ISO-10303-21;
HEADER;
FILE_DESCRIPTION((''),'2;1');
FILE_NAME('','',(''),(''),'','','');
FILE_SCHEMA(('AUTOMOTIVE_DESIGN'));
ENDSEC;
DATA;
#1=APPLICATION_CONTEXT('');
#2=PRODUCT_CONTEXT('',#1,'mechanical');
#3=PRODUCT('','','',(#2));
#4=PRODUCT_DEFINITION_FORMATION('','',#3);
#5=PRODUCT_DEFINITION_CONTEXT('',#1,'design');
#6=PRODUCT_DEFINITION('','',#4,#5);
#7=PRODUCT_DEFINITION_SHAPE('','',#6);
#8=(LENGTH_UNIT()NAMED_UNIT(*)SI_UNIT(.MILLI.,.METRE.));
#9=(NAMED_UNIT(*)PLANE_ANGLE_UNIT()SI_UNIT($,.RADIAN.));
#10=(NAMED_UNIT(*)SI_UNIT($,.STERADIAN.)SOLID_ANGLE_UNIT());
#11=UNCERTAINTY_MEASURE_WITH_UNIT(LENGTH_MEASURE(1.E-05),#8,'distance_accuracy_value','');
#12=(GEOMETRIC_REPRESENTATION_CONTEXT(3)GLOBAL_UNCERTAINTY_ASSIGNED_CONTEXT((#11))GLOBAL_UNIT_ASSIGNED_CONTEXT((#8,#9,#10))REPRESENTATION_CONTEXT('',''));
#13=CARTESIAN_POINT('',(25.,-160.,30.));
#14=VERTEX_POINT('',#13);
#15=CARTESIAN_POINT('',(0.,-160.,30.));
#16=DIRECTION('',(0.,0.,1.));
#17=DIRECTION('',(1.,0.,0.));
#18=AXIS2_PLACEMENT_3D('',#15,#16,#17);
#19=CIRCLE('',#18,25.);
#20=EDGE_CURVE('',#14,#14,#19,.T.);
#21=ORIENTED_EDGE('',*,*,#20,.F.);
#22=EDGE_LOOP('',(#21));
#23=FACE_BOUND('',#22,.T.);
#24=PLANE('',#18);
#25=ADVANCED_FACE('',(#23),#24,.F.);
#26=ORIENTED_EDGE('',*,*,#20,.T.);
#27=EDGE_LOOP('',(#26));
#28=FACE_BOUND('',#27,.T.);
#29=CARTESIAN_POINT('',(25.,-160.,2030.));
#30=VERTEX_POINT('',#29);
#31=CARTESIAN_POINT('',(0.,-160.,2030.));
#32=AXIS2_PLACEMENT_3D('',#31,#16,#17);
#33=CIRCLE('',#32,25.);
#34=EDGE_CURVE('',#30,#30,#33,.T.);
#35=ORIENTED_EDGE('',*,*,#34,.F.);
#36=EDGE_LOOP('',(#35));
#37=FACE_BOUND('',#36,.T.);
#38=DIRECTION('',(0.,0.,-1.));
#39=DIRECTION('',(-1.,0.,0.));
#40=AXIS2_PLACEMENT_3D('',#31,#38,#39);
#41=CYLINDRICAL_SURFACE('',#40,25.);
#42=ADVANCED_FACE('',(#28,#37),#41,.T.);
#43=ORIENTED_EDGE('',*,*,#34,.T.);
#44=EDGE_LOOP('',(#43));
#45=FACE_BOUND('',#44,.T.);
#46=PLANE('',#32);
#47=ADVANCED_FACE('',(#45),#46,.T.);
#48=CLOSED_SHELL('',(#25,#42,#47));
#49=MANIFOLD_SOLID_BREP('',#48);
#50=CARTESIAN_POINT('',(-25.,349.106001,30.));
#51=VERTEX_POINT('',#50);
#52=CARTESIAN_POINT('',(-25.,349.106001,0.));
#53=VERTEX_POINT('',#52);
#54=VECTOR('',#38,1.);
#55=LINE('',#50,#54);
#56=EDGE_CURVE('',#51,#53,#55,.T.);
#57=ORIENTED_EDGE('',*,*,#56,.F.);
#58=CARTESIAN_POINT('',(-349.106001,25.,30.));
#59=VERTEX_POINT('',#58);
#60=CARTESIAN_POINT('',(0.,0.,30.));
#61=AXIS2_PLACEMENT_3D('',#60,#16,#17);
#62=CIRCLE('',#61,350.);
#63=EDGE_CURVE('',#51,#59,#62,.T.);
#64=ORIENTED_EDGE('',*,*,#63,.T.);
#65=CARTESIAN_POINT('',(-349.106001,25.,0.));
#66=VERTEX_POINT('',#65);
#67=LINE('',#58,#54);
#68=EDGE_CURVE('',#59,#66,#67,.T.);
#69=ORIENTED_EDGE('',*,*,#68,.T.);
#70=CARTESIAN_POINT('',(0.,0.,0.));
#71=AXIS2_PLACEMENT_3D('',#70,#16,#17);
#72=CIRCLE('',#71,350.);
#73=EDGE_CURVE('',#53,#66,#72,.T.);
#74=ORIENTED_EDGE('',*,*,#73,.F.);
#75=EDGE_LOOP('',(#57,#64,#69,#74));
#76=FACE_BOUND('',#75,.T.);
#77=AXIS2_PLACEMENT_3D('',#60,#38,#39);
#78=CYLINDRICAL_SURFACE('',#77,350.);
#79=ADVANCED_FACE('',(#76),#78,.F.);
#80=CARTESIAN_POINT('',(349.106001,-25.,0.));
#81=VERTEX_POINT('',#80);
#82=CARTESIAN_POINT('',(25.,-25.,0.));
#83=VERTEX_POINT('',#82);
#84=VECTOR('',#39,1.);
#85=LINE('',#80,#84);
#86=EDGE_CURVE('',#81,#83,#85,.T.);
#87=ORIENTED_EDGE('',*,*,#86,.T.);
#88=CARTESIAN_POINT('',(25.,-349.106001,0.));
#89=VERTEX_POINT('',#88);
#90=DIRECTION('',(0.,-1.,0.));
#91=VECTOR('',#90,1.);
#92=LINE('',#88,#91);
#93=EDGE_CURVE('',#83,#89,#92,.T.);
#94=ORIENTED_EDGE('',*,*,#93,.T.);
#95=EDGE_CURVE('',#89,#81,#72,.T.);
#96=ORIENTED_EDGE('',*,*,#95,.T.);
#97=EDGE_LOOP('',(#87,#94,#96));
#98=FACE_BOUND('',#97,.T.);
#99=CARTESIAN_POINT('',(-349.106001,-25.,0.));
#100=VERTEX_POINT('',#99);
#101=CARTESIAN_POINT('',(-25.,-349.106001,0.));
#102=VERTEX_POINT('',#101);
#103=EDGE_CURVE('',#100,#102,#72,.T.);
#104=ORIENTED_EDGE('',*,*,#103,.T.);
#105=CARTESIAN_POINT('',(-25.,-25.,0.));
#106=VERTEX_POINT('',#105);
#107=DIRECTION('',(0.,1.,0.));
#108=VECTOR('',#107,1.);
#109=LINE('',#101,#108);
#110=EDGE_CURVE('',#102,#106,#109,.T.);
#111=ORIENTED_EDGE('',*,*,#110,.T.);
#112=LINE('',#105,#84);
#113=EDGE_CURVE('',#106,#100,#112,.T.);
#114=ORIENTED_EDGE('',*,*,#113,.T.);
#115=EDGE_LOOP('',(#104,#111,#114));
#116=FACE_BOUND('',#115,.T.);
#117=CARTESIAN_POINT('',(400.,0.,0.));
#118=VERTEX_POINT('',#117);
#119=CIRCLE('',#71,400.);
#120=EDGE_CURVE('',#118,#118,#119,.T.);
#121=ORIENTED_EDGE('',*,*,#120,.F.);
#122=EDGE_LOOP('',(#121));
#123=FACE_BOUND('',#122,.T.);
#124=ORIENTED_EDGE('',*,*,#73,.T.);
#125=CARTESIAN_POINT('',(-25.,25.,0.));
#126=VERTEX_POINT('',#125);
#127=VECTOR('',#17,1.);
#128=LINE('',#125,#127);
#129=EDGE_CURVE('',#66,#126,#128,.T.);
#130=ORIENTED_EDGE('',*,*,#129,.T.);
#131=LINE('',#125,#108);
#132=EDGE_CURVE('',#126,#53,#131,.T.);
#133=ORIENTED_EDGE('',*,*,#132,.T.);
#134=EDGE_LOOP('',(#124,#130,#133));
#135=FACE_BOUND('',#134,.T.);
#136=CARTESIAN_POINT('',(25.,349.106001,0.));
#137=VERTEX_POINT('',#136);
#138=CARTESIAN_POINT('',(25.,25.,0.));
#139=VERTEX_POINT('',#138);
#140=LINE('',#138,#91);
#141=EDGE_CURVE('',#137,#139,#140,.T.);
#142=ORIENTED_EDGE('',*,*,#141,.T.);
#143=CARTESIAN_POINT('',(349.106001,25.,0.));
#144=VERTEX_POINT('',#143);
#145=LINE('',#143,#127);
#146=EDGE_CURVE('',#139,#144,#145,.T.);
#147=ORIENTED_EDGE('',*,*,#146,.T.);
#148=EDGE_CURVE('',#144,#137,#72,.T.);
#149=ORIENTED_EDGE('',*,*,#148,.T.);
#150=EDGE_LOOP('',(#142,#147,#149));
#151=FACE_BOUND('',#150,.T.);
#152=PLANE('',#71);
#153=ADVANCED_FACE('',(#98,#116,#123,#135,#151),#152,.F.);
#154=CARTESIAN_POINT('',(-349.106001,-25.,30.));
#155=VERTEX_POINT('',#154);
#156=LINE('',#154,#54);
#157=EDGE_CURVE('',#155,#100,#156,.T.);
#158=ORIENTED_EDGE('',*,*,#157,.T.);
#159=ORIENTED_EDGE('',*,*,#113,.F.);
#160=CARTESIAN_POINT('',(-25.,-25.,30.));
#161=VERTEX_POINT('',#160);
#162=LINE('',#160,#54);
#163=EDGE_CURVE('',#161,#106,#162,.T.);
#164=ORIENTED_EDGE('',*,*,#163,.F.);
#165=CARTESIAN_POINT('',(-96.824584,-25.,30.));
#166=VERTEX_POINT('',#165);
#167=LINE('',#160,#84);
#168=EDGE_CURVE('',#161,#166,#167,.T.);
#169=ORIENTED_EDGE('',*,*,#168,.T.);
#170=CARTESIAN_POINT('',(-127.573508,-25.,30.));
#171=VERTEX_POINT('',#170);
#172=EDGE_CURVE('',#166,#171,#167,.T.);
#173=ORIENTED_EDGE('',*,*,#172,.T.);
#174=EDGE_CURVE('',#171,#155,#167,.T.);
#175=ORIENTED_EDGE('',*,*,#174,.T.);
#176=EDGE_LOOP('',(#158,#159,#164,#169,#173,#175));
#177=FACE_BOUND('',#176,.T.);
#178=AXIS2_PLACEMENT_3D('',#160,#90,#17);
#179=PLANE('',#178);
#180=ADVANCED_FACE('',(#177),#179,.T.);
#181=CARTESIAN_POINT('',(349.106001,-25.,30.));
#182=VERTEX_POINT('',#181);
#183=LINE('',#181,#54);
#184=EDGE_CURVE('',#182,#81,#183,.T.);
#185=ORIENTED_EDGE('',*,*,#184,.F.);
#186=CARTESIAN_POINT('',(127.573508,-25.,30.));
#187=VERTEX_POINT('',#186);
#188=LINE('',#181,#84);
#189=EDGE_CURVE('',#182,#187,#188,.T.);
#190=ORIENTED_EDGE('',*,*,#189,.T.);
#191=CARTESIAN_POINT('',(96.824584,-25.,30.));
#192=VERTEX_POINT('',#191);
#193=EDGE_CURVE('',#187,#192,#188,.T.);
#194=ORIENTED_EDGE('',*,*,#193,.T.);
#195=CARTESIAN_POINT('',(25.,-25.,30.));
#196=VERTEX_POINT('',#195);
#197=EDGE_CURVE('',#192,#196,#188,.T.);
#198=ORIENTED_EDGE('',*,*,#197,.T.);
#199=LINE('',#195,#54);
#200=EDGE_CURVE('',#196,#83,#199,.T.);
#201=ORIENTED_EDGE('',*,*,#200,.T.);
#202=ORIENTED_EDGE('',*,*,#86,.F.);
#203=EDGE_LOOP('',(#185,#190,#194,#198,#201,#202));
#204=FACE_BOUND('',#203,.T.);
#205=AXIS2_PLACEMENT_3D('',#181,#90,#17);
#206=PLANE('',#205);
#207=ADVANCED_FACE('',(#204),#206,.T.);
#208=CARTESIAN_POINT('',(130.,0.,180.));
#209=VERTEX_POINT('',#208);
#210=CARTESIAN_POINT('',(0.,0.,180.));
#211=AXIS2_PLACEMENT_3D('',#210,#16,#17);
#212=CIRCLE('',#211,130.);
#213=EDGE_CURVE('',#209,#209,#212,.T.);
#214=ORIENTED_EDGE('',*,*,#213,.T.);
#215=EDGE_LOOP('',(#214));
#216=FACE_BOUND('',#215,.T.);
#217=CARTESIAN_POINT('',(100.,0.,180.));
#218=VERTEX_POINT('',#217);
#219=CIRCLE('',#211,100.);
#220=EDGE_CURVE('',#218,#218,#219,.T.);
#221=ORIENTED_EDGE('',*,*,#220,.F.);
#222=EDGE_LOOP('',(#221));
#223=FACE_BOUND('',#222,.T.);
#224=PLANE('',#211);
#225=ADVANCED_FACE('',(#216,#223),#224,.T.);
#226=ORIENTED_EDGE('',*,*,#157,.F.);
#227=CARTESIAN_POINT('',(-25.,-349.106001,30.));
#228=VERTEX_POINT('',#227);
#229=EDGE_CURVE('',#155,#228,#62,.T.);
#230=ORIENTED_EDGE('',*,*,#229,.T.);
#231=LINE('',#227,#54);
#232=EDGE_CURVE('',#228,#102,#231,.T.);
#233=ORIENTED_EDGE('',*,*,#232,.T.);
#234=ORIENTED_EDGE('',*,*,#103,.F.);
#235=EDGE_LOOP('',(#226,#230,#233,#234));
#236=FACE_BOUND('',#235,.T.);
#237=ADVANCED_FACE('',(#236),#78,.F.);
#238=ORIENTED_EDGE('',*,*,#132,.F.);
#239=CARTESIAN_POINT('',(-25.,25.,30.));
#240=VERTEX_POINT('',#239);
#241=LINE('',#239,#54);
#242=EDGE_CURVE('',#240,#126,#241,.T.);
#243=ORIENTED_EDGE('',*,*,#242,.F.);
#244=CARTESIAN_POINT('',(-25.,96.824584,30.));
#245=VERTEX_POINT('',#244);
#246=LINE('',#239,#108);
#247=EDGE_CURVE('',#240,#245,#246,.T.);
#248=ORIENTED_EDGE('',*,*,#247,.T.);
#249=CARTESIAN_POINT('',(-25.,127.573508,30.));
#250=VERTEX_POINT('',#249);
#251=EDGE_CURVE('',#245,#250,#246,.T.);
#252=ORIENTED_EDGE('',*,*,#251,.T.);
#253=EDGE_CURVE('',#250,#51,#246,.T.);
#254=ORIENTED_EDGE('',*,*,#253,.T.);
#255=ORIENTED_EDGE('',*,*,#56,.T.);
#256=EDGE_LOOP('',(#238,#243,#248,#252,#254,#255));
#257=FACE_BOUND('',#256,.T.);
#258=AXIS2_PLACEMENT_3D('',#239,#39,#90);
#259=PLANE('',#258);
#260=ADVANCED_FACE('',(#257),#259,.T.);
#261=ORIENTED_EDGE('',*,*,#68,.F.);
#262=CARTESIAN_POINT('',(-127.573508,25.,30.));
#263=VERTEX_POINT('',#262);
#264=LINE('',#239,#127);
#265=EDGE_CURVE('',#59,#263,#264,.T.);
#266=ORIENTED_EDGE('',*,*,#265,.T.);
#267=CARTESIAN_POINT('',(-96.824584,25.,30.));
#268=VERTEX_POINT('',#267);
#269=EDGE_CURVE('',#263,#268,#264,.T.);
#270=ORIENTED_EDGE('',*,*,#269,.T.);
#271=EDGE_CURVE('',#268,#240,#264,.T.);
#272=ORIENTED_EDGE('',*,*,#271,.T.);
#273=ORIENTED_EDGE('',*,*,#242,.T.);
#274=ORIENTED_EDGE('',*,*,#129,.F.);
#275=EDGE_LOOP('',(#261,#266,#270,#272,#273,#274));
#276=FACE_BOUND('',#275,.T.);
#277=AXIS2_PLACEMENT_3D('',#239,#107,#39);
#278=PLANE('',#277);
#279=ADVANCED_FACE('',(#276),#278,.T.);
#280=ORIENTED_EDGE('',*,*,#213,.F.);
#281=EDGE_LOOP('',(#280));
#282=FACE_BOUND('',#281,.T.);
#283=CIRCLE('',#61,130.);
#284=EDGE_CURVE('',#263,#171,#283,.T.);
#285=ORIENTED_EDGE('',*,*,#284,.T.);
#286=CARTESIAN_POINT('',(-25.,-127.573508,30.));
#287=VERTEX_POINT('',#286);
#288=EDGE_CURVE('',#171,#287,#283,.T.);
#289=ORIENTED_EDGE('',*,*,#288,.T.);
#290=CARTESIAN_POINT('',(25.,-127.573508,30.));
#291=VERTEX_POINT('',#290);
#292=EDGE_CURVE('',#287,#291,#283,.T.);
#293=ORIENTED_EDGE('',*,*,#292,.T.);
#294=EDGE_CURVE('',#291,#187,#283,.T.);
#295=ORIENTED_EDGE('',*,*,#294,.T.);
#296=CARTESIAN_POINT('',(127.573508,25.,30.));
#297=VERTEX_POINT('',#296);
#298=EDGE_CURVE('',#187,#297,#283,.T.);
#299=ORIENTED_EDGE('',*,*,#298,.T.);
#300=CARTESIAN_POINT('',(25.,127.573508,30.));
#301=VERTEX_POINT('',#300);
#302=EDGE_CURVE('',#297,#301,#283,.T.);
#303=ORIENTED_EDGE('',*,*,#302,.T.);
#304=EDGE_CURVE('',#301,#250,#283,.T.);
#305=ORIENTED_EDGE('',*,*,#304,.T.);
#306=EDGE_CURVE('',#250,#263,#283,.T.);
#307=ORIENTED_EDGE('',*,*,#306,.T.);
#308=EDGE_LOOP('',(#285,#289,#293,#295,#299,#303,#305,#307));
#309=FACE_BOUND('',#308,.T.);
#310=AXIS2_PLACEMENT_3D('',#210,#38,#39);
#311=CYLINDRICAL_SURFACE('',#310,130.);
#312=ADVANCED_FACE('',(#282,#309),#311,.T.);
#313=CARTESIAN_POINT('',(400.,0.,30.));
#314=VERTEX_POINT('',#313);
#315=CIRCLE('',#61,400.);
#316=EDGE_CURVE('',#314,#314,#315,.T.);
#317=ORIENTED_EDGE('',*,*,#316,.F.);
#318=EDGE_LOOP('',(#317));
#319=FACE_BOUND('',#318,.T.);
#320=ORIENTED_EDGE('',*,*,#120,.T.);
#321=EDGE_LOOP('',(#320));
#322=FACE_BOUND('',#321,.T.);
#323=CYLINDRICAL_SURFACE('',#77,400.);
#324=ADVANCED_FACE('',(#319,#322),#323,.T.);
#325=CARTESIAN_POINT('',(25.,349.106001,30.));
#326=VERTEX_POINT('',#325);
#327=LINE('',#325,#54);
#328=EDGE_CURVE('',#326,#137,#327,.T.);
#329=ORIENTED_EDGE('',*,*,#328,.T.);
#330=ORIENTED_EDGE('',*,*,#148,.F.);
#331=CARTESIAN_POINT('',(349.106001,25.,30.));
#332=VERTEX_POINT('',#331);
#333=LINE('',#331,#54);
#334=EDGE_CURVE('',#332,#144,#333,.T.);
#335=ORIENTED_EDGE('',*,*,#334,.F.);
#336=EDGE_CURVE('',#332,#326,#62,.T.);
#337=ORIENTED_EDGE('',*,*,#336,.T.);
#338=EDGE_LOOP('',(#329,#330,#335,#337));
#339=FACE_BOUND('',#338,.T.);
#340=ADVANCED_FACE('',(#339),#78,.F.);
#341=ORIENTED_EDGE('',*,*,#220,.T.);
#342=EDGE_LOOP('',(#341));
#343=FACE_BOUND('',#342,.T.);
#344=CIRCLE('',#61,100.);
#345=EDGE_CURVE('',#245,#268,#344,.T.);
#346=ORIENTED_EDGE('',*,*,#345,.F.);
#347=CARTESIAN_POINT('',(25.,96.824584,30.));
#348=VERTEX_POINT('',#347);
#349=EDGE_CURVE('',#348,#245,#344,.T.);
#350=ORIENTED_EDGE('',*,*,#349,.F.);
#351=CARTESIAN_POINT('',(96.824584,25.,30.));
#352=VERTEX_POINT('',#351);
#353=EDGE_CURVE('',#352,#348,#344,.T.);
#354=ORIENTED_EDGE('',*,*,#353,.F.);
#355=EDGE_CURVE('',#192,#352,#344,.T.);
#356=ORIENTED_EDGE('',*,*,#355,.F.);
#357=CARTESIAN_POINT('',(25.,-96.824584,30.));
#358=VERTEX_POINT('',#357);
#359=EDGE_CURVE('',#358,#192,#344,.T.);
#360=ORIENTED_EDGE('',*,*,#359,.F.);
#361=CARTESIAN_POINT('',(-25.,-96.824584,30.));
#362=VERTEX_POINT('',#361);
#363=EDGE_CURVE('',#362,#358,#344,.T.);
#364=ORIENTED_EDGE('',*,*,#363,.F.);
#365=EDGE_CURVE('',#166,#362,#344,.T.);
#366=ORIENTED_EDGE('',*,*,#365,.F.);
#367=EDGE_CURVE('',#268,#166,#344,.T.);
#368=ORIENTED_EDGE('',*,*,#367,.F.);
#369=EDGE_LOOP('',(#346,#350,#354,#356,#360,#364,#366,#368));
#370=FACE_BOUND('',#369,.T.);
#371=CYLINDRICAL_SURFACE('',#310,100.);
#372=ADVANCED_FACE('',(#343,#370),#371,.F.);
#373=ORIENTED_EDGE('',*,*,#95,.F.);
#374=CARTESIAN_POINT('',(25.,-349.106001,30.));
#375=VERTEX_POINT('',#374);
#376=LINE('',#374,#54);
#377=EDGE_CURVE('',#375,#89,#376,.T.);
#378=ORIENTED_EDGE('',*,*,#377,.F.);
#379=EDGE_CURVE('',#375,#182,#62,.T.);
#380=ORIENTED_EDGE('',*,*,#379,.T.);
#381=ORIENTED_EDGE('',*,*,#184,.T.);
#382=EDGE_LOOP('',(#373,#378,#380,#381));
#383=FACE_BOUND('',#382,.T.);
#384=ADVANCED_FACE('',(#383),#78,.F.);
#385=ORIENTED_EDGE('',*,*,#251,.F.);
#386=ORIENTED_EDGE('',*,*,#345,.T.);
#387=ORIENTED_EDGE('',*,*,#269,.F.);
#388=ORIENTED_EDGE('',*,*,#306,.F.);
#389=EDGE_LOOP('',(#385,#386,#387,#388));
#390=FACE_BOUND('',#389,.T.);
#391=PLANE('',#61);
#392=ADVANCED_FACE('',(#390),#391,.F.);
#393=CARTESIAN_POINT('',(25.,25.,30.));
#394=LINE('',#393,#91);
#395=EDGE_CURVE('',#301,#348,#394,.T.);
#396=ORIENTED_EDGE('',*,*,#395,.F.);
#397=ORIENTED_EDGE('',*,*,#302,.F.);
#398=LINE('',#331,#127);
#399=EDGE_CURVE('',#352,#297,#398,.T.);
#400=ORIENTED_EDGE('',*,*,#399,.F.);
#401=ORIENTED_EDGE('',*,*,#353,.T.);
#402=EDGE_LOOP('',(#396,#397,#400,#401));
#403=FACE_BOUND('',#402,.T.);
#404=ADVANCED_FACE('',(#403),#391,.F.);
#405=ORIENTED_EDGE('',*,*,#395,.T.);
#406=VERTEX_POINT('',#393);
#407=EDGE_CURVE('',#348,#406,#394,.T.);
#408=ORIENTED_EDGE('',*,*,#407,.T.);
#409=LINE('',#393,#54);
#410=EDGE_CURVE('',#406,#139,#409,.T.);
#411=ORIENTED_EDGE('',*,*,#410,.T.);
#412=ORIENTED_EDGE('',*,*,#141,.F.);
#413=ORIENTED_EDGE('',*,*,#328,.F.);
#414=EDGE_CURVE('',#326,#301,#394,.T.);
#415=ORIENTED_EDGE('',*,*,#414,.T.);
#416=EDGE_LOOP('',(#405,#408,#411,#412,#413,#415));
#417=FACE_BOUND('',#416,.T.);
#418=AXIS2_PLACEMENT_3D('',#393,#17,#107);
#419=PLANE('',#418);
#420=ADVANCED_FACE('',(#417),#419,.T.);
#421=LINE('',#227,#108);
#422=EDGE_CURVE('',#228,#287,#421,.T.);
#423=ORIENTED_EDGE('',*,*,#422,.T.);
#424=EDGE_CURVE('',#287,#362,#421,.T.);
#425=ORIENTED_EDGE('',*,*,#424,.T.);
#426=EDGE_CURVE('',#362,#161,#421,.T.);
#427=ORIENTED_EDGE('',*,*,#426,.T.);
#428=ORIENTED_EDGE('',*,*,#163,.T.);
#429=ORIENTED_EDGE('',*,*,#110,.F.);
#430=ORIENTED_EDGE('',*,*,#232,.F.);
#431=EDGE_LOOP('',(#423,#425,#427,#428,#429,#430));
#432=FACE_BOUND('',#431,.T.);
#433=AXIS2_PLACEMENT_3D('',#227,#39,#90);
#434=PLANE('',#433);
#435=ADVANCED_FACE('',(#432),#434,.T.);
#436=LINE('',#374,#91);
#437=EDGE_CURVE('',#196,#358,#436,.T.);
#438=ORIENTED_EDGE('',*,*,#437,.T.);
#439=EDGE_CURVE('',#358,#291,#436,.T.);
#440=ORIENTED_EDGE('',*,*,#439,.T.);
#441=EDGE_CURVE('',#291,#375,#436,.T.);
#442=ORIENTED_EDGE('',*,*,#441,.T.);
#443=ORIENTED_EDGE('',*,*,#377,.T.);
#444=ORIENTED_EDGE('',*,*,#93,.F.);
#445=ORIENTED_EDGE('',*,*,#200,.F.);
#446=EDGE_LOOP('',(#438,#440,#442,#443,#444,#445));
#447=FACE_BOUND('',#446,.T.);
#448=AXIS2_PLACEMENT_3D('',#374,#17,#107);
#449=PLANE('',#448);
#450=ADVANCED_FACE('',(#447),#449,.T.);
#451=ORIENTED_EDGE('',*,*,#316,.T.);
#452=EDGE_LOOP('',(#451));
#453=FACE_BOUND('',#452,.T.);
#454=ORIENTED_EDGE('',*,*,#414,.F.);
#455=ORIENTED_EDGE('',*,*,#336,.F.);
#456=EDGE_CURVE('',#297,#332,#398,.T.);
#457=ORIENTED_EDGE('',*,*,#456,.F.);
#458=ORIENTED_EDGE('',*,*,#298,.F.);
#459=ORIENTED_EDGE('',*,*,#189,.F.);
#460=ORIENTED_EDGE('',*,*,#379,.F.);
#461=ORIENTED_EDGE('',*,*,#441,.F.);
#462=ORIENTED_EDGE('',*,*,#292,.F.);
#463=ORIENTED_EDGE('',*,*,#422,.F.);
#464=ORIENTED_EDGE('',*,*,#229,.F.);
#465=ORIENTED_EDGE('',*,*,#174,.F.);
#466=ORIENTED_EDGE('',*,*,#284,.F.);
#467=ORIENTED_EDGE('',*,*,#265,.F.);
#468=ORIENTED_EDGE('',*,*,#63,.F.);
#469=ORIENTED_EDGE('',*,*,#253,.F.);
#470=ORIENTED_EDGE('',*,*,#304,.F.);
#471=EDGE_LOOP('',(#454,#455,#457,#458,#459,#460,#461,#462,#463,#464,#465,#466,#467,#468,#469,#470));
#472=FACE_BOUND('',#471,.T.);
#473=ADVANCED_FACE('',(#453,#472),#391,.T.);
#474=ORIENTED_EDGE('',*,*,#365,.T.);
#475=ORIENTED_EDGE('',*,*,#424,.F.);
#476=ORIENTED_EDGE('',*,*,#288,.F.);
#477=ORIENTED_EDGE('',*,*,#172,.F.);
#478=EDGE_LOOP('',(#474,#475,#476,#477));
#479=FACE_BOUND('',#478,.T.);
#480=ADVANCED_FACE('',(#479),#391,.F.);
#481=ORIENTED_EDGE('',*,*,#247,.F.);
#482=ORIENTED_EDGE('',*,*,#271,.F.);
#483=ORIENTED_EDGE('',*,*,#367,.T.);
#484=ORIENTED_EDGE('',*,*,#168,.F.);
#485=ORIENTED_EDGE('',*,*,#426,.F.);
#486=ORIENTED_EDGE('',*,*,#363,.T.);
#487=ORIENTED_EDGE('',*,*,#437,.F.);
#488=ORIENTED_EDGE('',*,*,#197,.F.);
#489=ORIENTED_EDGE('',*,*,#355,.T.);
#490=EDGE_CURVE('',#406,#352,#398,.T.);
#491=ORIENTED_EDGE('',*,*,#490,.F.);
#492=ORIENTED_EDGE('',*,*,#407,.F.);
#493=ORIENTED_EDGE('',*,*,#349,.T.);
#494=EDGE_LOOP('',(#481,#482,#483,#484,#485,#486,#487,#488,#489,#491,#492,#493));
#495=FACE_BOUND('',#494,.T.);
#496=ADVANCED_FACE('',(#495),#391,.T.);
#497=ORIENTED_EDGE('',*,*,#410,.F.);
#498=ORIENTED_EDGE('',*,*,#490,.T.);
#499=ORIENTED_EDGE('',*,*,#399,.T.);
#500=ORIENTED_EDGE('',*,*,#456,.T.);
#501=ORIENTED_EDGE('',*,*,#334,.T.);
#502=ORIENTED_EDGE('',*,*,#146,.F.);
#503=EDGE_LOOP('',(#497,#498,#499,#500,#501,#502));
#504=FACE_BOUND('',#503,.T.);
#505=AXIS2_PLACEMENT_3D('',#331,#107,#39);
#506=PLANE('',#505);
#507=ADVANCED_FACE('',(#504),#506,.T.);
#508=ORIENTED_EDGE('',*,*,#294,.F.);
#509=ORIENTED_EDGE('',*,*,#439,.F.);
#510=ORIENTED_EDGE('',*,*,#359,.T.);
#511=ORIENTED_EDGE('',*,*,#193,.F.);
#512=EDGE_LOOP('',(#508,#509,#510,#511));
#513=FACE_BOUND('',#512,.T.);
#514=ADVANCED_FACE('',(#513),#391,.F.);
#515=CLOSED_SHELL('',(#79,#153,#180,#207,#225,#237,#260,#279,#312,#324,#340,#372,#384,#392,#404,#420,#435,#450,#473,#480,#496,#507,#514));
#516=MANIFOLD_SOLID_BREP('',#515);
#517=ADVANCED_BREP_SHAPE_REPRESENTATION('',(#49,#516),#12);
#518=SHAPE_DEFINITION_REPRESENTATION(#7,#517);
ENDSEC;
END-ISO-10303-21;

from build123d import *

# Parameters (mm, degrees)
CROQUIS1_R              = 400
SALIENTE_EXTRUIR1_DEPTH = 30
CROQUIS2_R              = 130
CROQUIS2_R_2            = 100
SALIENTE_EXTRUIR2_DEPTH = 150
CROQUIS3_R              = 25
SALIENTE_EXTRUIR3_DEPTH = 2000


with BuildPart() as part:
    # Croquis1 → Saliente-Extruir1 (new body)
    with BuildSketch(Plane(origin=(0, 0, 0), x_dir=(0, 1, 0), z_dir=(0, 0, 1))):
        with Locations(Location((0, 0, 0), (0, 0, 270))):
            Circle(CROQUIS1_R)
        with BuildLine():
            Line((25, -25), (349.106001094, -25))
            ThreePointArc((349.106001094, -25), (247.487373415, -247.487373415), (25, -349.106001094))
            Line((25, -349.106001094), (25, -25))
        make_face(mode=Mode.SUBTRACT)
        with BuildLine():
            Line((-349.106001094, 25), (-25, 25))
            Line((-25, 25), (-25, 349.106001094))
            ThreePointArc((-25, 349.106001094), (-247.487373415, 247.487373415), (-349.106001094, 25))
        make_face(mode=Mode.SUBTRACT)
        with BuildLine():
            Line((-349.106001094, -25), (-25, -25))
            Line((-25, -25), (-25, -349.106001094))
            ThreePointArc((-25, -349.106001094), (-247.487373415, -247.487373415), (-349.106001094, -25))
        make_face(mode=Mode.SUBTRACT)
        with BuildLine():
            Line((25, 25), (25, 349.106001094))
            ThreePointArc((25, 349.106001094), (247.487373415, 247.487373415), (349.106001094, 25))
            Line((349.106001094, 25), (25, 25))
        make_face(mode=Mode.SUBTRACT)
    extrude(amount=SALIENTE_EXTRUIR1_DEPTH)

    # Croquis2 → Saliente-Extruir2 (add)
    with BuildSketch(Plane.XY.offset(30)):
        with Locations(Location((0, 0, 0), (0, 0, 191.087489211))):
            Circle(CROQUIS2_R)
        with Locations(Location((0, 0, 0), (0, 0, 194.477512186))):
            Circle(CROQUIS2_R_2, mode=Mode.SUBTRACT)
    extrude(amount=SALIENTE_EXTRUIR2_DEPTH)


with BuildPart() as body_2:
    # Croquis3 → Saliente-Extruir3 (new body)
    with BuildSketch(Plane.XY.offset(30)):
        with Locations((0, -160)):
            Circle(CROQUIS3_R)
    extrude(amount=SALIENTE_EXTRUIR3_DEPTH)


solid = Compound([part.part, body_2.part])
